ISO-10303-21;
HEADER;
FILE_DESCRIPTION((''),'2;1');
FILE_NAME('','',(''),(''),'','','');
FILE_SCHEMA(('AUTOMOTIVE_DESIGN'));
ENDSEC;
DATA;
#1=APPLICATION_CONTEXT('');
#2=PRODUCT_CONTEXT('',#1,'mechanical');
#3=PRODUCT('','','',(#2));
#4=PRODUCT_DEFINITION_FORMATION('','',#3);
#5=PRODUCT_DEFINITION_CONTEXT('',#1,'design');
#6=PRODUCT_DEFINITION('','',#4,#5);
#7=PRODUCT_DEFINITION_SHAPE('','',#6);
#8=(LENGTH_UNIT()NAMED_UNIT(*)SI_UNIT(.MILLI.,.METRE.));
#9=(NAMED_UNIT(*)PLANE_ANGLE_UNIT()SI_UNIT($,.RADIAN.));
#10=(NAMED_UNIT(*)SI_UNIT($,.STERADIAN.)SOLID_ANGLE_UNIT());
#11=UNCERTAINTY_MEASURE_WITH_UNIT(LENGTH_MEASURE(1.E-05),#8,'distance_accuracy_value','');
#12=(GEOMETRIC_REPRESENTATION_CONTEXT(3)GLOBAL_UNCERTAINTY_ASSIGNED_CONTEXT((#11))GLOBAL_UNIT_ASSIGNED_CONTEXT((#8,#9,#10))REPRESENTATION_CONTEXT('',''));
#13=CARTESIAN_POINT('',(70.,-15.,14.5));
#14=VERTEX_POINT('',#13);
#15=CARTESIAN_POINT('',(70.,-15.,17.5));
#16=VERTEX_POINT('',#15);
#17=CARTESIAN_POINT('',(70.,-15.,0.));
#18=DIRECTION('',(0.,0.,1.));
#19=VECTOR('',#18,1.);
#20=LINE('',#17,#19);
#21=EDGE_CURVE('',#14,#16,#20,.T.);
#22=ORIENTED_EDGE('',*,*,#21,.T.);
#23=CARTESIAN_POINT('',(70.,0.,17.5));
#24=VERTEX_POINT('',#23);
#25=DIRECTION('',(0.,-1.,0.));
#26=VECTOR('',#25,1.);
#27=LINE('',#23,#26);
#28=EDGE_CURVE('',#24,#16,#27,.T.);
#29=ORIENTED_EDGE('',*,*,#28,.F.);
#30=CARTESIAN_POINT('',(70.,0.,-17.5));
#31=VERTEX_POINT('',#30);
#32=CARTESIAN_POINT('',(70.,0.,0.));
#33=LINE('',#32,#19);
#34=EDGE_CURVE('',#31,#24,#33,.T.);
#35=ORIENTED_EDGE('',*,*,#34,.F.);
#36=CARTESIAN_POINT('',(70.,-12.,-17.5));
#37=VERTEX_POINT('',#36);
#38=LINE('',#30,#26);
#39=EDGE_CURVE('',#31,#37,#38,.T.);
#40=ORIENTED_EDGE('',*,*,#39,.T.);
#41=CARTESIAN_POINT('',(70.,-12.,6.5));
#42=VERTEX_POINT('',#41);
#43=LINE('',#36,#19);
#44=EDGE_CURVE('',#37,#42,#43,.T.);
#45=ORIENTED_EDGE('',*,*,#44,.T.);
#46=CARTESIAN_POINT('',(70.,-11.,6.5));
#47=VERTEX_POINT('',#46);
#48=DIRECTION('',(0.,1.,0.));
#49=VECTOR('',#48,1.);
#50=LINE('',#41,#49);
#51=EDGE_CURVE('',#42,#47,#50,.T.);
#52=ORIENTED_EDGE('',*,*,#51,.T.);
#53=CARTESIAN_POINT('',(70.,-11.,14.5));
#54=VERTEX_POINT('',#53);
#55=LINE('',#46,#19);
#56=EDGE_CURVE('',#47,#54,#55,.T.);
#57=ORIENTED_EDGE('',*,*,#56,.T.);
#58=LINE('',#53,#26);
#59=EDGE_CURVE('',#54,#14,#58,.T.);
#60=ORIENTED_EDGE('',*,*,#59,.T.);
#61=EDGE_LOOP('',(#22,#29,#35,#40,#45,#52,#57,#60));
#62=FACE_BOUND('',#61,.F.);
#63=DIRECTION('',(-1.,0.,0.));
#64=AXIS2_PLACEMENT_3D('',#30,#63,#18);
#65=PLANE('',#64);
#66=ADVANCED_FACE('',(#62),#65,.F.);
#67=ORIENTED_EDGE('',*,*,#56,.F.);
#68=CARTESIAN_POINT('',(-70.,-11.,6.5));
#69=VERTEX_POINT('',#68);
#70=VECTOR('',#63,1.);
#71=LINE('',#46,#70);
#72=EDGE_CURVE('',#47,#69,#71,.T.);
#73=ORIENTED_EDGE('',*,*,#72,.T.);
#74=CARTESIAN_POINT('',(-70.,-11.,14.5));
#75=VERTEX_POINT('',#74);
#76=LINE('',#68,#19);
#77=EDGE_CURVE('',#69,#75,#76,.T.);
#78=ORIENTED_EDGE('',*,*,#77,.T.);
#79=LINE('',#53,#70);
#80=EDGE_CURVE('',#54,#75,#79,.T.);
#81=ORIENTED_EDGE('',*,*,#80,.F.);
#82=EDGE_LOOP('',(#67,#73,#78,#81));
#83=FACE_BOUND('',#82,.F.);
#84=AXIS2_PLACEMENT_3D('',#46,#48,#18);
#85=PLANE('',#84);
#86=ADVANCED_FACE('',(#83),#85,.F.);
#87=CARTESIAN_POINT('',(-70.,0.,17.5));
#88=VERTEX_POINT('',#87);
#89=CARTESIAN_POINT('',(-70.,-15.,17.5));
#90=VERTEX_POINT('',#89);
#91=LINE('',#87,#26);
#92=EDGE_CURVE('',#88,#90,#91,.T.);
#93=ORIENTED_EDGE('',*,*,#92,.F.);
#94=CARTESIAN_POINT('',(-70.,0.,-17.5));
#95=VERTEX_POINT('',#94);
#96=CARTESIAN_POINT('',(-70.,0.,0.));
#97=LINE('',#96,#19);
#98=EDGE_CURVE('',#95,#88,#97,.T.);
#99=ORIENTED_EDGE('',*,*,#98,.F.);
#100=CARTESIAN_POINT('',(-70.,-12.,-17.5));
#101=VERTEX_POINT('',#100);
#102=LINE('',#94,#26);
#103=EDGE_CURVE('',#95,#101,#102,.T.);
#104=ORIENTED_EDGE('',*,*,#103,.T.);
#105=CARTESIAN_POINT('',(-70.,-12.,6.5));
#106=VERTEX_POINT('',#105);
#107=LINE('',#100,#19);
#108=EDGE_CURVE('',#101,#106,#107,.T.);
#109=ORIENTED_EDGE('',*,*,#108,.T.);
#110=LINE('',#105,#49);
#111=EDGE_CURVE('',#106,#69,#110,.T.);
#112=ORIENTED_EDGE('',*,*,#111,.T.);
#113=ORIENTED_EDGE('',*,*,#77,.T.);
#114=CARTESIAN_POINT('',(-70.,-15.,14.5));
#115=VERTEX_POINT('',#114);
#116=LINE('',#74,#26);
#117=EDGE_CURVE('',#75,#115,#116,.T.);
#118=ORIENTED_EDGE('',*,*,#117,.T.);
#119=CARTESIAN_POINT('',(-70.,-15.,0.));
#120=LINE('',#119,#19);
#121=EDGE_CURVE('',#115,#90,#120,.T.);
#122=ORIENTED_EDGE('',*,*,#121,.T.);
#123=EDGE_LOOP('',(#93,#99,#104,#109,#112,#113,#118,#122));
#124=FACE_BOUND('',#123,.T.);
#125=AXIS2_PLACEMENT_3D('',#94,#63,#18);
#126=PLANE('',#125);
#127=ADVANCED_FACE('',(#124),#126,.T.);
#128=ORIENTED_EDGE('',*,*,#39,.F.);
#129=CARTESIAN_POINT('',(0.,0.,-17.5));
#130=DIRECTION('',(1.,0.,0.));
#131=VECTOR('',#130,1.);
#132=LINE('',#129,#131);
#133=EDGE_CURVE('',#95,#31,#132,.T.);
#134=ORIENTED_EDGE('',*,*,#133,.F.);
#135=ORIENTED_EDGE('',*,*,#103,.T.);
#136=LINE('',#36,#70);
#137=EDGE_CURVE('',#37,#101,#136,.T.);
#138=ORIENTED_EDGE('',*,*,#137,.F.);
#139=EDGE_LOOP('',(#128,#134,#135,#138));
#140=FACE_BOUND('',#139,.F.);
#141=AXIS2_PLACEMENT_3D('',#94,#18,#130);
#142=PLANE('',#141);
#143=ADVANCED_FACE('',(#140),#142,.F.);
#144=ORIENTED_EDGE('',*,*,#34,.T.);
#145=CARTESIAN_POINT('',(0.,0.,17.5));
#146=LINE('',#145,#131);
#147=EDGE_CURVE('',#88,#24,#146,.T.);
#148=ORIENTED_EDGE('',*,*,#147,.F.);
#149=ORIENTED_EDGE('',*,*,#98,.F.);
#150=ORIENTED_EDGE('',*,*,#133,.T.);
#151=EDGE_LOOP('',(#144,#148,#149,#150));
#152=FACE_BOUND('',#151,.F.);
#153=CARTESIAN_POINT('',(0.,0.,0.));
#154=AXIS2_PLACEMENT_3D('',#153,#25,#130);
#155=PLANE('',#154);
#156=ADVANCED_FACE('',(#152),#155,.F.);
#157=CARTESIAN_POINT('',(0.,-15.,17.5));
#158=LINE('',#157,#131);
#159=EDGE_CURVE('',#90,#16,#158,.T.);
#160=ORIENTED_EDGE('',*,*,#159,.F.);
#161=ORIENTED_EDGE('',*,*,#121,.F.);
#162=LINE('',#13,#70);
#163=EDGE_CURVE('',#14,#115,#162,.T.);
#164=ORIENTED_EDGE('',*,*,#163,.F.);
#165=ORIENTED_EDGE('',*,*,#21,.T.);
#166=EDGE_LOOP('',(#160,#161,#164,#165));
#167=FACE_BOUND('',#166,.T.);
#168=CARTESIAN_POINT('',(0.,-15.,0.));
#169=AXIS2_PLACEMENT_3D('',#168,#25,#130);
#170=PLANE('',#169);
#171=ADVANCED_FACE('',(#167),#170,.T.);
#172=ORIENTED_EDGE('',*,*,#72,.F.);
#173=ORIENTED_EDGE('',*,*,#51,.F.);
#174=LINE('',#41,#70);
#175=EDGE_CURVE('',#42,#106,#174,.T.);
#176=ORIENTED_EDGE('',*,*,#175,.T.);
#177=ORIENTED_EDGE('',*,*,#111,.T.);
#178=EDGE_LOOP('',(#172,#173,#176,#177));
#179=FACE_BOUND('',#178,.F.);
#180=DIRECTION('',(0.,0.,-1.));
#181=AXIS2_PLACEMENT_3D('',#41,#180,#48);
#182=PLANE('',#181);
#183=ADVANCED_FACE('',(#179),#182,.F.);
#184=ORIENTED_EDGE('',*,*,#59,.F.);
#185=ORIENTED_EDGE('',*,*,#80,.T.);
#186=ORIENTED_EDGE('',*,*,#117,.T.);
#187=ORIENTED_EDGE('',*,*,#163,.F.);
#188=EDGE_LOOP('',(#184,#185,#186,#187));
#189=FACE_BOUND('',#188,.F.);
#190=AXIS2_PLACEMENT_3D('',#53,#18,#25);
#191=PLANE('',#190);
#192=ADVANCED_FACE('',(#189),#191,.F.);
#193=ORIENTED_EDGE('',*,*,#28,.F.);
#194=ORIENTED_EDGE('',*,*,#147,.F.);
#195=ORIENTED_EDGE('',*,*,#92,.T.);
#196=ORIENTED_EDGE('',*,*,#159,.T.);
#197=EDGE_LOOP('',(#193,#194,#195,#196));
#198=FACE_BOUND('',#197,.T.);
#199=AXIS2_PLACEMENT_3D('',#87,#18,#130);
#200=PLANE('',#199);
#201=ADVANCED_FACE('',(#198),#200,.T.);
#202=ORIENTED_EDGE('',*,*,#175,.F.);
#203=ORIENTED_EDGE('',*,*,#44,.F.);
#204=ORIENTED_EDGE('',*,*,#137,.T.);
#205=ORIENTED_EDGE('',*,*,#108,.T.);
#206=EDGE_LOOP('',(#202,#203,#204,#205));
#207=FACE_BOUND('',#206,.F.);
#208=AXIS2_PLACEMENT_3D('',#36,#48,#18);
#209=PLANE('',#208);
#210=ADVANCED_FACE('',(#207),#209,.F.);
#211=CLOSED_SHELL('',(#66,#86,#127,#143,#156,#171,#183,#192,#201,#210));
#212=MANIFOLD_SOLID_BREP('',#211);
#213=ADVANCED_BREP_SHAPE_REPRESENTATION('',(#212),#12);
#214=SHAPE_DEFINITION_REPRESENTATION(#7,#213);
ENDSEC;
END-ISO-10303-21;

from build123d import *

# Parameters (mm, degrees)
F0_W     = 140
F0_H     = 35
F1_DEPTH = 15
F3_DEPTH = 140


with BuildPart() as f1:
    # F0 (on Front) → F1 (new body)
    with BuildSketch(Plane.XZ):
        Rectangle(F0_W, F0_H)
    extrude(amount=F1_DEPTH)

    # F2 (on face) → F3 (cut, through all)
    with BuildSketch(Plane.YZ.offset(70)):
        Polygon((-15, 14.5), (-15, -17.5), (-12, -17.5), (-12, 6.5), (-11, 6.5), (-11, 14.5), align=None)
    extrude(amount=-F3_DEPTH, mode=Mode.SUBTRACT)


solid = f1.part
